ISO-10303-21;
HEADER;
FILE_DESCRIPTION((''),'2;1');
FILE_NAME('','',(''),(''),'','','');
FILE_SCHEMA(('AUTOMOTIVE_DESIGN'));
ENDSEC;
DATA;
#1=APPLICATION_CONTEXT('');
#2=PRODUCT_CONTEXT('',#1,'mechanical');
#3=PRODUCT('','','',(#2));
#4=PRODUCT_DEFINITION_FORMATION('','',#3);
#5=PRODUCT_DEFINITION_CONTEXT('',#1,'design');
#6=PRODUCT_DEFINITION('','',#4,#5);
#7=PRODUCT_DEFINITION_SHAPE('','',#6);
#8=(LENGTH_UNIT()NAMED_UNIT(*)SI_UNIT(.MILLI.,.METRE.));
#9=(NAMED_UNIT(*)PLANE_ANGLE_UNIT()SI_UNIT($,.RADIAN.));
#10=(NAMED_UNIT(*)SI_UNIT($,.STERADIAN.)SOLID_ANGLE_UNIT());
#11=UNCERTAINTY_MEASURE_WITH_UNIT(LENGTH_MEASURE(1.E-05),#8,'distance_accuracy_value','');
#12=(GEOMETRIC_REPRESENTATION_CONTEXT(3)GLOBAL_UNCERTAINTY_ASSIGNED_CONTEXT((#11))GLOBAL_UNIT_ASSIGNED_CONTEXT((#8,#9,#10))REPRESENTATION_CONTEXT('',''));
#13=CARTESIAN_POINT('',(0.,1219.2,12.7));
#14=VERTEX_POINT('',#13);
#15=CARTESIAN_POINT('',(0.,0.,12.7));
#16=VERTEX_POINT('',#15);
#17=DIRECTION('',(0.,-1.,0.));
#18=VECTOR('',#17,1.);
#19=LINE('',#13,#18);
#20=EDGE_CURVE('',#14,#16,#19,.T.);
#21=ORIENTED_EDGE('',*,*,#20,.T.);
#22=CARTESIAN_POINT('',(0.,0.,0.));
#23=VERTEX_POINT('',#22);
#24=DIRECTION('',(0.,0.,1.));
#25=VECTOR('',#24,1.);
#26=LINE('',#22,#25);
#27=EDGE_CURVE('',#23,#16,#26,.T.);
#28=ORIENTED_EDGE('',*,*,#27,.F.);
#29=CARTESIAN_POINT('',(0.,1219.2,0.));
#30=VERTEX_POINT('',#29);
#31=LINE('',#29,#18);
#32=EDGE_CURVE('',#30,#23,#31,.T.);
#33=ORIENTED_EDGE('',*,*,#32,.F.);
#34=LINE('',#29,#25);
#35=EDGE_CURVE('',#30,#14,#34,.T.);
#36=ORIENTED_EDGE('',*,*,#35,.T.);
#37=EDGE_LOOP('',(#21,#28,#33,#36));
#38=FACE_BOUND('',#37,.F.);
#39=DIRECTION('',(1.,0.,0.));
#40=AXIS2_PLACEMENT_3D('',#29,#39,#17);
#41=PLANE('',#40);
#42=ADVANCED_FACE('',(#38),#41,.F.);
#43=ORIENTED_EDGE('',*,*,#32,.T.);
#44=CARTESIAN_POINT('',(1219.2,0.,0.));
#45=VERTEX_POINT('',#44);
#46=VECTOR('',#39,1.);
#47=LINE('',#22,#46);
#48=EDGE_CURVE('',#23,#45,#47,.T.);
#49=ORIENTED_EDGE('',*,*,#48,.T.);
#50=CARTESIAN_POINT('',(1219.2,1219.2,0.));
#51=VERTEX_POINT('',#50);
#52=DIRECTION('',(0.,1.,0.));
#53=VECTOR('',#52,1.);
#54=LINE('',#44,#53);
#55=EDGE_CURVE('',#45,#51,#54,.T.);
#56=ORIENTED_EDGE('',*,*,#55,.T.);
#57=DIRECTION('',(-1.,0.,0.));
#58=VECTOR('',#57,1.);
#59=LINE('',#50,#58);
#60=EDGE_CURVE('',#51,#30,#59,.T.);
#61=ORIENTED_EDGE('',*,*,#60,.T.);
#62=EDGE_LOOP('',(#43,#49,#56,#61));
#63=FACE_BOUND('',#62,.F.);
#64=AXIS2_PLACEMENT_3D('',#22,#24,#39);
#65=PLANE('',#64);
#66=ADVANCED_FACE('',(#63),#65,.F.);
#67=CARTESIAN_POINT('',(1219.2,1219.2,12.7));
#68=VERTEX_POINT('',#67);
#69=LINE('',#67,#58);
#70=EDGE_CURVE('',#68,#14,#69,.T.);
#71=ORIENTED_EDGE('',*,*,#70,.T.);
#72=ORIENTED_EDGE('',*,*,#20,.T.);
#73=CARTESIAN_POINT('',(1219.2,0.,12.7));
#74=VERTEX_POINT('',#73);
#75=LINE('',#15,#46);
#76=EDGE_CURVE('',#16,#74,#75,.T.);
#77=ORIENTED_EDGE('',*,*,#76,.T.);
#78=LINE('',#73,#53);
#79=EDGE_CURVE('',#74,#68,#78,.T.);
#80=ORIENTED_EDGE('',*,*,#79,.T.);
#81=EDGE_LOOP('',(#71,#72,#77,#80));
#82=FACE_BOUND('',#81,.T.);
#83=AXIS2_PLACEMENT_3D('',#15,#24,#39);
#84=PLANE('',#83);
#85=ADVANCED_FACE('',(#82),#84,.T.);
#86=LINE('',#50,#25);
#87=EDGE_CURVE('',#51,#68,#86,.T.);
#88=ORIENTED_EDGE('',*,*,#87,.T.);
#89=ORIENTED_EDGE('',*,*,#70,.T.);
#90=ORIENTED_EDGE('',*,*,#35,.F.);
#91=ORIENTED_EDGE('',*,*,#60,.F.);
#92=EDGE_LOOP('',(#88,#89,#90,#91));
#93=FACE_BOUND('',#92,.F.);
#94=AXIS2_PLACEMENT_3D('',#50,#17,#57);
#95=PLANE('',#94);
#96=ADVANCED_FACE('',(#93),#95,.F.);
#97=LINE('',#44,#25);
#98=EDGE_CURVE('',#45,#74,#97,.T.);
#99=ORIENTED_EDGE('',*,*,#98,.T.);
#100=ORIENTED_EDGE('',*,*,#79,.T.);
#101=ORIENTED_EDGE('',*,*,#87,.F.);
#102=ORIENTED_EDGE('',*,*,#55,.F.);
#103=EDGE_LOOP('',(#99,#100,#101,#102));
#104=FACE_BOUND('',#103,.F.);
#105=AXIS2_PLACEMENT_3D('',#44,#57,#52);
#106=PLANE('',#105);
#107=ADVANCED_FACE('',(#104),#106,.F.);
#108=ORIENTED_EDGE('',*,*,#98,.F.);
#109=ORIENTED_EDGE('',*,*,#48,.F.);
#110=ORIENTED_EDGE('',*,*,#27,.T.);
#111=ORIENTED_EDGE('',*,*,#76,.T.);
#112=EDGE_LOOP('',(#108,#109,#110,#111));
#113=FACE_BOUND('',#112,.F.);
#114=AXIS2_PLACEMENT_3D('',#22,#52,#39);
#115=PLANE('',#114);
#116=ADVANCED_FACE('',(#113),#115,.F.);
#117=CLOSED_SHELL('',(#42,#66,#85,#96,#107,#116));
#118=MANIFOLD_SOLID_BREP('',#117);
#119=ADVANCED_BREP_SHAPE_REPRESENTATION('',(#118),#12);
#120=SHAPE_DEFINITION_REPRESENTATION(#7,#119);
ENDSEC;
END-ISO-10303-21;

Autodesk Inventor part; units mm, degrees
ref_plane "YZ Plane" through (0, 0, 0) normal (1, 0, 0) x (0, 1, 0)
ref_plane "XZ Plane" through (0, 0, 0) normal (0, 1, 0) x (-1, 0, 0)
ref_plane "XY Plane" through (0, 0, 0) normal (0, 0, 1) x (1, 0, 0)
sketch "Sketch1" plane through (0, 0, 0) normal (0, 0, 1) x (1, 0, 0)
  line L0 (0, 0) -> (1219.2, 0)
  line L1 (1219.2, 0) -> (1219.2, 1219.2)
  line L2 (1219.2, 1219.2) -> (0, 1219.2)
  line L3 (0, 1219.2) -> (0, 0)
  dimension "d2" = 1219.2
  dimension "d3" = 1219.2
extrude "Extrusion1" add sketch "Sketch1" along normal blind 12.7
properties part number "Sheathing_With_Dimensions_48_x_56.719_Inches" material "Wood (Birch)"
